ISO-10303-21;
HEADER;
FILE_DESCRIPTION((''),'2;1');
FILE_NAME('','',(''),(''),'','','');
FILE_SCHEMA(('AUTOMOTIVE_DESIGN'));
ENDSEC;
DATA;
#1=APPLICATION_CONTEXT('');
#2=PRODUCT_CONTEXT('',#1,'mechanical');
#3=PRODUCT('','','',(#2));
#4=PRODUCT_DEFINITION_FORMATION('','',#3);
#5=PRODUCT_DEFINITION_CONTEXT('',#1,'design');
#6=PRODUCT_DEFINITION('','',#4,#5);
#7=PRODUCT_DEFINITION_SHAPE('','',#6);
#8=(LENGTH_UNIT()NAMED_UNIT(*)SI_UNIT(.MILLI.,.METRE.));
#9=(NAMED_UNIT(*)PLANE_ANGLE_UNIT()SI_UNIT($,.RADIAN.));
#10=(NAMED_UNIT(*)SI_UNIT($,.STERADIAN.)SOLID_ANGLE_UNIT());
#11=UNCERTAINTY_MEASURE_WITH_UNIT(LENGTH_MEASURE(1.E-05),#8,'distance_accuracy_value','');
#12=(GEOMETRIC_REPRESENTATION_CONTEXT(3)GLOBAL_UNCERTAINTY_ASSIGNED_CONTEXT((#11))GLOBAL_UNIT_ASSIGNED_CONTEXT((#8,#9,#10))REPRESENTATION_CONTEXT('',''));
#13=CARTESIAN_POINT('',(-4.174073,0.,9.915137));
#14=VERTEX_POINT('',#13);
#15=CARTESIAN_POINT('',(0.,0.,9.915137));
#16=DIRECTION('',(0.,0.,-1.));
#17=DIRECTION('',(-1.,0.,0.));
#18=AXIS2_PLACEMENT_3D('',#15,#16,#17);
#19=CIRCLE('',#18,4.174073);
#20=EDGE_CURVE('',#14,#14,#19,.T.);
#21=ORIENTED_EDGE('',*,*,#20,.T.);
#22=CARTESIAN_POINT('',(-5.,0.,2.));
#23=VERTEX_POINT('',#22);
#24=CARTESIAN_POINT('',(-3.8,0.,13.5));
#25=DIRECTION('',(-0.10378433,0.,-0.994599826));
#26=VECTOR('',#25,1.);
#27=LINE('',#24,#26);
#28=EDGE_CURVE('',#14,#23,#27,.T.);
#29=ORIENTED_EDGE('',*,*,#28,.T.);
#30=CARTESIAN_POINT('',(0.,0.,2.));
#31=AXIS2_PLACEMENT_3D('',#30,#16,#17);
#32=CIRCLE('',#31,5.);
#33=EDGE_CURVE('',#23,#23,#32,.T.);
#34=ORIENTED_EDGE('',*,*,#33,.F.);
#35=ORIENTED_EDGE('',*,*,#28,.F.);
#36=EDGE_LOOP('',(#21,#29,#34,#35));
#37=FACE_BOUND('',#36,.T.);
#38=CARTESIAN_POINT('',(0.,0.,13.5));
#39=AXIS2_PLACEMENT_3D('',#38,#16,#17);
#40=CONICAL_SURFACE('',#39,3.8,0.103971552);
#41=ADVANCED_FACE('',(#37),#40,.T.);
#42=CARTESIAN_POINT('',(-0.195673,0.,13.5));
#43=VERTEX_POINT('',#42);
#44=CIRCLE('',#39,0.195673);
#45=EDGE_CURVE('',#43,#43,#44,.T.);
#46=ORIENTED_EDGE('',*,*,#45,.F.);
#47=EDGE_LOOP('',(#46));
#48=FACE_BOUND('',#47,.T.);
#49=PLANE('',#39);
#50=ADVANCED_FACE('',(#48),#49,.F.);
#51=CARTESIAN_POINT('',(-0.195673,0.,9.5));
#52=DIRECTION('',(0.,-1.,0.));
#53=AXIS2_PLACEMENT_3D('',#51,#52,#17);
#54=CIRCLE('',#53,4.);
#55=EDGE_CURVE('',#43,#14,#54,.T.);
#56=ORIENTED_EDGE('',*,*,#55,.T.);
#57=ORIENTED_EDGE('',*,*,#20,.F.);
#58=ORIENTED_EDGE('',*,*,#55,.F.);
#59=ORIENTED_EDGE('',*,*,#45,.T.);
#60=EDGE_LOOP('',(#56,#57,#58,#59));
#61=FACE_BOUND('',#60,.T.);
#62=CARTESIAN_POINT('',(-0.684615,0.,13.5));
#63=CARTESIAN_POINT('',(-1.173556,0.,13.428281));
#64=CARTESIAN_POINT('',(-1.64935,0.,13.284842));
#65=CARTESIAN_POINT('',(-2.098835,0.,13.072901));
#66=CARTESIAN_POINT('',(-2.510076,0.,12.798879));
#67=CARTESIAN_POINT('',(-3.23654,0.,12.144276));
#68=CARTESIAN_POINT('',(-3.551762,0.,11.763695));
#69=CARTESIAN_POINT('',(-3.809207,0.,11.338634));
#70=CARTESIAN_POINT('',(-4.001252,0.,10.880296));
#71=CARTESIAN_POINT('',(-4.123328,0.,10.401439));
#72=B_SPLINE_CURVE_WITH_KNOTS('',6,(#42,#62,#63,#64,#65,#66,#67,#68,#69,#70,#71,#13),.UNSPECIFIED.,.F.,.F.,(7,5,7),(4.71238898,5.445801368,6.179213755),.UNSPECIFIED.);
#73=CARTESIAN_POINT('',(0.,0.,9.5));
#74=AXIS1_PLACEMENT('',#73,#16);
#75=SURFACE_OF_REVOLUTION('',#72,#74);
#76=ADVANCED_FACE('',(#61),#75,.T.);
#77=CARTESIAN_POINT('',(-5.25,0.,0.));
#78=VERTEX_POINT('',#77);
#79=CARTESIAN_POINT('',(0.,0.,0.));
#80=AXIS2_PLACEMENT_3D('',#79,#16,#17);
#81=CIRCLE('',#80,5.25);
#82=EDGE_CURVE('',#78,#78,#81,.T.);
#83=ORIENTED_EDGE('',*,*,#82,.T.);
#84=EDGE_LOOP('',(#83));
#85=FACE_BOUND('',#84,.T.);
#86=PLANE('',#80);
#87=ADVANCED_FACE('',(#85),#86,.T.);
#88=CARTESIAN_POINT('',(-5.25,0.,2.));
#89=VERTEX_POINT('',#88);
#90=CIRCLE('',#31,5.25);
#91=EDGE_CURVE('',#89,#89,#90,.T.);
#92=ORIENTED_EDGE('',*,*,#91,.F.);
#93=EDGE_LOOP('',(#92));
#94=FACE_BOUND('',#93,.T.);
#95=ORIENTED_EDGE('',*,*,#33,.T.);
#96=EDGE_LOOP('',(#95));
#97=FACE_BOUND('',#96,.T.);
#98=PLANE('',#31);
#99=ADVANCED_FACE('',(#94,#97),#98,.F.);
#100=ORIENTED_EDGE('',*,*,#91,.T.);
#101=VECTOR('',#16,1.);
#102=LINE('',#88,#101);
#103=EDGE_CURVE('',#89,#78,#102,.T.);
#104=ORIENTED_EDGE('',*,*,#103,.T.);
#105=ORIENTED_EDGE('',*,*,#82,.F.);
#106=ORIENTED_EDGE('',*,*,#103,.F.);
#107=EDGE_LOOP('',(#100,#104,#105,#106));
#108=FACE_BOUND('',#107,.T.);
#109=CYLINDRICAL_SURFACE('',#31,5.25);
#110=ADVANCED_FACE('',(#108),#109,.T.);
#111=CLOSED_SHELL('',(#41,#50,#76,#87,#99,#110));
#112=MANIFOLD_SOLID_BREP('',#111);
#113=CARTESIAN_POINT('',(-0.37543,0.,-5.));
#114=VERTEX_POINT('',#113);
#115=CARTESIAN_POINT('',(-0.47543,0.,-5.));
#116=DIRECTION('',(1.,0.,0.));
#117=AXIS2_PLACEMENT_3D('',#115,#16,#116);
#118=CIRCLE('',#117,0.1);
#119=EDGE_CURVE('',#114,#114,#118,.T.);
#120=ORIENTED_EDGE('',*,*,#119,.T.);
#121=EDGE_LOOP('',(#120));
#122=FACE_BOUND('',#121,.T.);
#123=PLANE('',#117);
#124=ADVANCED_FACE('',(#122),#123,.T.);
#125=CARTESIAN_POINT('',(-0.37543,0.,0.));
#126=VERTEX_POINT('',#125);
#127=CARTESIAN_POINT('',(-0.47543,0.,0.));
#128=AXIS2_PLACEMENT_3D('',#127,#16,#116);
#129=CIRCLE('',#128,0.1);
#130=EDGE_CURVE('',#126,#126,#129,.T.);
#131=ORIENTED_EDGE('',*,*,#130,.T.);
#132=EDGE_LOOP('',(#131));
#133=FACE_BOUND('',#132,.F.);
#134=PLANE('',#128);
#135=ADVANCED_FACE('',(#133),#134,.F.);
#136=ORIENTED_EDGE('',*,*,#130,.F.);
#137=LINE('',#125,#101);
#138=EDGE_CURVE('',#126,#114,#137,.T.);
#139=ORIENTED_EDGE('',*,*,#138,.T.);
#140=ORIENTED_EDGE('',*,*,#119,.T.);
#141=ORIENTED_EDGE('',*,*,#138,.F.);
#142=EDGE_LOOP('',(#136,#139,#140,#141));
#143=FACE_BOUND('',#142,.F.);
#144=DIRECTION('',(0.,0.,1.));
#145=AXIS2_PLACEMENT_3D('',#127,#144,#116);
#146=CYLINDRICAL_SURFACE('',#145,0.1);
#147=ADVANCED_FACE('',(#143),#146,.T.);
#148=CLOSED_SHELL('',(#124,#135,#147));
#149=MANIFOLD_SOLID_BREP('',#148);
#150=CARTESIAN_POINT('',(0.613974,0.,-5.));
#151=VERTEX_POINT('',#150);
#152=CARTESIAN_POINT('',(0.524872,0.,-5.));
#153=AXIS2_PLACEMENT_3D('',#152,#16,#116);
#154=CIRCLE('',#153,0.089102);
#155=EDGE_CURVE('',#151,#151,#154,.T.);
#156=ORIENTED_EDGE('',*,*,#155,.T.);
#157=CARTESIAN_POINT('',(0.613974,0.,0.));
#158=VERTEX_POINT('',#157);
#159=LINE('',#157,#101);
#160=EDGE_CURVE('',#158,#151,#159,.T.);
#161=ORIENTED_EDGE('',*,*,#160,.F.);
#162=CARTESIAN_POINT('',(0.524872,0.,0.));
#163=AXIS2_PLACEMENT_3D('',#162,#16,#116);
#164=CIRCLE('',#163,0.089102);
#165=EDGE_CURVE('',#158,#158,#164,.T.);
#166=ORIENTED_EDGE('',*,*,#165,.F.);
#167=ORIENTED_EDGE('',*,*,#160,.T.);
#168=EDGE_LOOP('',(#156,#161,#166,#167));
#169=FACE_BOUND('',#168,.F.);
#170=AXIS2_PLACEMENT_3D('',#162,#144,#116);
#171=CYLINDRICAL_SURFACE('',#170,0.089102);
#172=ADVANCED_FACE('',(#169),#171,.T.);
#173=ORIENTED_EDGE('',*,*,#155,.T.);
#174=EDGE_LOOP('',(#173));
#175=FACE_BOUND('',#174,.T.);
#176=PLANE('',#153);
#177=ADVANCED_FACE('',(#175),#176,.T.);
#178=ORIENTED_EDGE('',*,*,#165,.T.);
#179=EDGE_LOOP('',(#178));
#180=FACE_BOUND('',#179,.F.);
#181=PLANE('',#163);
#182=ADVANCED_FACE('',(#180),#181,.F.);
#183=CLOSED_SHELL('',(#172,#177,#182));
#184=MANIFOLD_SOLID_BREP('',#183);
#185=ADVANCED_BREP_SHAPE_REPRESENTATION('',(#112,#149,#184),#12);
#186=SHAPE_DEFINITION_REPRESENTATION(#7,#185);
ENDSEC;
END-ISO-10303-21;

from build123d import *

# Parameters (mm, degrees)
F2_R     = 4
F3_R     = 0.1
F3_R_2   = 0.089102
F4_DEPTH = 5


with BuildPart() as f1:
    # F0 (on Front) → F1 (revolve)
    with BuildSketch(Plane.XZ):
        Polygon((-5.25, 2), (-5.25, 0), (0, 0), (0, 13.5), (-3.8, 13.5), (-5, 2), align=None)
    revolve(axis=Axis((0, 0, 6.75), (0, 0, -1)))

    # F2
    f2_edges = [f1.edges().sort_by_distance(p)[0] for p in [
        (3.8, 0, 13.5),
    ]]
    fillet(f2_edges, radius=F2_R)


with BuildPart() as f4:
    # F3 (on face) → F4 (new body)
    with BuildSketch(Plane(origin=(0, 0, 0), x_dir=(1, 0, 0), z_dir=(0, 0, -1))):
        with Locations((-0.47543, 0)):
            Circle(F3_R)
        with Locations((0.524872, 0)):
            Circle(F3_R_2)
    extrude(amount=F4_DEPTH)


solid = Compound([f1.part, f4.part])
